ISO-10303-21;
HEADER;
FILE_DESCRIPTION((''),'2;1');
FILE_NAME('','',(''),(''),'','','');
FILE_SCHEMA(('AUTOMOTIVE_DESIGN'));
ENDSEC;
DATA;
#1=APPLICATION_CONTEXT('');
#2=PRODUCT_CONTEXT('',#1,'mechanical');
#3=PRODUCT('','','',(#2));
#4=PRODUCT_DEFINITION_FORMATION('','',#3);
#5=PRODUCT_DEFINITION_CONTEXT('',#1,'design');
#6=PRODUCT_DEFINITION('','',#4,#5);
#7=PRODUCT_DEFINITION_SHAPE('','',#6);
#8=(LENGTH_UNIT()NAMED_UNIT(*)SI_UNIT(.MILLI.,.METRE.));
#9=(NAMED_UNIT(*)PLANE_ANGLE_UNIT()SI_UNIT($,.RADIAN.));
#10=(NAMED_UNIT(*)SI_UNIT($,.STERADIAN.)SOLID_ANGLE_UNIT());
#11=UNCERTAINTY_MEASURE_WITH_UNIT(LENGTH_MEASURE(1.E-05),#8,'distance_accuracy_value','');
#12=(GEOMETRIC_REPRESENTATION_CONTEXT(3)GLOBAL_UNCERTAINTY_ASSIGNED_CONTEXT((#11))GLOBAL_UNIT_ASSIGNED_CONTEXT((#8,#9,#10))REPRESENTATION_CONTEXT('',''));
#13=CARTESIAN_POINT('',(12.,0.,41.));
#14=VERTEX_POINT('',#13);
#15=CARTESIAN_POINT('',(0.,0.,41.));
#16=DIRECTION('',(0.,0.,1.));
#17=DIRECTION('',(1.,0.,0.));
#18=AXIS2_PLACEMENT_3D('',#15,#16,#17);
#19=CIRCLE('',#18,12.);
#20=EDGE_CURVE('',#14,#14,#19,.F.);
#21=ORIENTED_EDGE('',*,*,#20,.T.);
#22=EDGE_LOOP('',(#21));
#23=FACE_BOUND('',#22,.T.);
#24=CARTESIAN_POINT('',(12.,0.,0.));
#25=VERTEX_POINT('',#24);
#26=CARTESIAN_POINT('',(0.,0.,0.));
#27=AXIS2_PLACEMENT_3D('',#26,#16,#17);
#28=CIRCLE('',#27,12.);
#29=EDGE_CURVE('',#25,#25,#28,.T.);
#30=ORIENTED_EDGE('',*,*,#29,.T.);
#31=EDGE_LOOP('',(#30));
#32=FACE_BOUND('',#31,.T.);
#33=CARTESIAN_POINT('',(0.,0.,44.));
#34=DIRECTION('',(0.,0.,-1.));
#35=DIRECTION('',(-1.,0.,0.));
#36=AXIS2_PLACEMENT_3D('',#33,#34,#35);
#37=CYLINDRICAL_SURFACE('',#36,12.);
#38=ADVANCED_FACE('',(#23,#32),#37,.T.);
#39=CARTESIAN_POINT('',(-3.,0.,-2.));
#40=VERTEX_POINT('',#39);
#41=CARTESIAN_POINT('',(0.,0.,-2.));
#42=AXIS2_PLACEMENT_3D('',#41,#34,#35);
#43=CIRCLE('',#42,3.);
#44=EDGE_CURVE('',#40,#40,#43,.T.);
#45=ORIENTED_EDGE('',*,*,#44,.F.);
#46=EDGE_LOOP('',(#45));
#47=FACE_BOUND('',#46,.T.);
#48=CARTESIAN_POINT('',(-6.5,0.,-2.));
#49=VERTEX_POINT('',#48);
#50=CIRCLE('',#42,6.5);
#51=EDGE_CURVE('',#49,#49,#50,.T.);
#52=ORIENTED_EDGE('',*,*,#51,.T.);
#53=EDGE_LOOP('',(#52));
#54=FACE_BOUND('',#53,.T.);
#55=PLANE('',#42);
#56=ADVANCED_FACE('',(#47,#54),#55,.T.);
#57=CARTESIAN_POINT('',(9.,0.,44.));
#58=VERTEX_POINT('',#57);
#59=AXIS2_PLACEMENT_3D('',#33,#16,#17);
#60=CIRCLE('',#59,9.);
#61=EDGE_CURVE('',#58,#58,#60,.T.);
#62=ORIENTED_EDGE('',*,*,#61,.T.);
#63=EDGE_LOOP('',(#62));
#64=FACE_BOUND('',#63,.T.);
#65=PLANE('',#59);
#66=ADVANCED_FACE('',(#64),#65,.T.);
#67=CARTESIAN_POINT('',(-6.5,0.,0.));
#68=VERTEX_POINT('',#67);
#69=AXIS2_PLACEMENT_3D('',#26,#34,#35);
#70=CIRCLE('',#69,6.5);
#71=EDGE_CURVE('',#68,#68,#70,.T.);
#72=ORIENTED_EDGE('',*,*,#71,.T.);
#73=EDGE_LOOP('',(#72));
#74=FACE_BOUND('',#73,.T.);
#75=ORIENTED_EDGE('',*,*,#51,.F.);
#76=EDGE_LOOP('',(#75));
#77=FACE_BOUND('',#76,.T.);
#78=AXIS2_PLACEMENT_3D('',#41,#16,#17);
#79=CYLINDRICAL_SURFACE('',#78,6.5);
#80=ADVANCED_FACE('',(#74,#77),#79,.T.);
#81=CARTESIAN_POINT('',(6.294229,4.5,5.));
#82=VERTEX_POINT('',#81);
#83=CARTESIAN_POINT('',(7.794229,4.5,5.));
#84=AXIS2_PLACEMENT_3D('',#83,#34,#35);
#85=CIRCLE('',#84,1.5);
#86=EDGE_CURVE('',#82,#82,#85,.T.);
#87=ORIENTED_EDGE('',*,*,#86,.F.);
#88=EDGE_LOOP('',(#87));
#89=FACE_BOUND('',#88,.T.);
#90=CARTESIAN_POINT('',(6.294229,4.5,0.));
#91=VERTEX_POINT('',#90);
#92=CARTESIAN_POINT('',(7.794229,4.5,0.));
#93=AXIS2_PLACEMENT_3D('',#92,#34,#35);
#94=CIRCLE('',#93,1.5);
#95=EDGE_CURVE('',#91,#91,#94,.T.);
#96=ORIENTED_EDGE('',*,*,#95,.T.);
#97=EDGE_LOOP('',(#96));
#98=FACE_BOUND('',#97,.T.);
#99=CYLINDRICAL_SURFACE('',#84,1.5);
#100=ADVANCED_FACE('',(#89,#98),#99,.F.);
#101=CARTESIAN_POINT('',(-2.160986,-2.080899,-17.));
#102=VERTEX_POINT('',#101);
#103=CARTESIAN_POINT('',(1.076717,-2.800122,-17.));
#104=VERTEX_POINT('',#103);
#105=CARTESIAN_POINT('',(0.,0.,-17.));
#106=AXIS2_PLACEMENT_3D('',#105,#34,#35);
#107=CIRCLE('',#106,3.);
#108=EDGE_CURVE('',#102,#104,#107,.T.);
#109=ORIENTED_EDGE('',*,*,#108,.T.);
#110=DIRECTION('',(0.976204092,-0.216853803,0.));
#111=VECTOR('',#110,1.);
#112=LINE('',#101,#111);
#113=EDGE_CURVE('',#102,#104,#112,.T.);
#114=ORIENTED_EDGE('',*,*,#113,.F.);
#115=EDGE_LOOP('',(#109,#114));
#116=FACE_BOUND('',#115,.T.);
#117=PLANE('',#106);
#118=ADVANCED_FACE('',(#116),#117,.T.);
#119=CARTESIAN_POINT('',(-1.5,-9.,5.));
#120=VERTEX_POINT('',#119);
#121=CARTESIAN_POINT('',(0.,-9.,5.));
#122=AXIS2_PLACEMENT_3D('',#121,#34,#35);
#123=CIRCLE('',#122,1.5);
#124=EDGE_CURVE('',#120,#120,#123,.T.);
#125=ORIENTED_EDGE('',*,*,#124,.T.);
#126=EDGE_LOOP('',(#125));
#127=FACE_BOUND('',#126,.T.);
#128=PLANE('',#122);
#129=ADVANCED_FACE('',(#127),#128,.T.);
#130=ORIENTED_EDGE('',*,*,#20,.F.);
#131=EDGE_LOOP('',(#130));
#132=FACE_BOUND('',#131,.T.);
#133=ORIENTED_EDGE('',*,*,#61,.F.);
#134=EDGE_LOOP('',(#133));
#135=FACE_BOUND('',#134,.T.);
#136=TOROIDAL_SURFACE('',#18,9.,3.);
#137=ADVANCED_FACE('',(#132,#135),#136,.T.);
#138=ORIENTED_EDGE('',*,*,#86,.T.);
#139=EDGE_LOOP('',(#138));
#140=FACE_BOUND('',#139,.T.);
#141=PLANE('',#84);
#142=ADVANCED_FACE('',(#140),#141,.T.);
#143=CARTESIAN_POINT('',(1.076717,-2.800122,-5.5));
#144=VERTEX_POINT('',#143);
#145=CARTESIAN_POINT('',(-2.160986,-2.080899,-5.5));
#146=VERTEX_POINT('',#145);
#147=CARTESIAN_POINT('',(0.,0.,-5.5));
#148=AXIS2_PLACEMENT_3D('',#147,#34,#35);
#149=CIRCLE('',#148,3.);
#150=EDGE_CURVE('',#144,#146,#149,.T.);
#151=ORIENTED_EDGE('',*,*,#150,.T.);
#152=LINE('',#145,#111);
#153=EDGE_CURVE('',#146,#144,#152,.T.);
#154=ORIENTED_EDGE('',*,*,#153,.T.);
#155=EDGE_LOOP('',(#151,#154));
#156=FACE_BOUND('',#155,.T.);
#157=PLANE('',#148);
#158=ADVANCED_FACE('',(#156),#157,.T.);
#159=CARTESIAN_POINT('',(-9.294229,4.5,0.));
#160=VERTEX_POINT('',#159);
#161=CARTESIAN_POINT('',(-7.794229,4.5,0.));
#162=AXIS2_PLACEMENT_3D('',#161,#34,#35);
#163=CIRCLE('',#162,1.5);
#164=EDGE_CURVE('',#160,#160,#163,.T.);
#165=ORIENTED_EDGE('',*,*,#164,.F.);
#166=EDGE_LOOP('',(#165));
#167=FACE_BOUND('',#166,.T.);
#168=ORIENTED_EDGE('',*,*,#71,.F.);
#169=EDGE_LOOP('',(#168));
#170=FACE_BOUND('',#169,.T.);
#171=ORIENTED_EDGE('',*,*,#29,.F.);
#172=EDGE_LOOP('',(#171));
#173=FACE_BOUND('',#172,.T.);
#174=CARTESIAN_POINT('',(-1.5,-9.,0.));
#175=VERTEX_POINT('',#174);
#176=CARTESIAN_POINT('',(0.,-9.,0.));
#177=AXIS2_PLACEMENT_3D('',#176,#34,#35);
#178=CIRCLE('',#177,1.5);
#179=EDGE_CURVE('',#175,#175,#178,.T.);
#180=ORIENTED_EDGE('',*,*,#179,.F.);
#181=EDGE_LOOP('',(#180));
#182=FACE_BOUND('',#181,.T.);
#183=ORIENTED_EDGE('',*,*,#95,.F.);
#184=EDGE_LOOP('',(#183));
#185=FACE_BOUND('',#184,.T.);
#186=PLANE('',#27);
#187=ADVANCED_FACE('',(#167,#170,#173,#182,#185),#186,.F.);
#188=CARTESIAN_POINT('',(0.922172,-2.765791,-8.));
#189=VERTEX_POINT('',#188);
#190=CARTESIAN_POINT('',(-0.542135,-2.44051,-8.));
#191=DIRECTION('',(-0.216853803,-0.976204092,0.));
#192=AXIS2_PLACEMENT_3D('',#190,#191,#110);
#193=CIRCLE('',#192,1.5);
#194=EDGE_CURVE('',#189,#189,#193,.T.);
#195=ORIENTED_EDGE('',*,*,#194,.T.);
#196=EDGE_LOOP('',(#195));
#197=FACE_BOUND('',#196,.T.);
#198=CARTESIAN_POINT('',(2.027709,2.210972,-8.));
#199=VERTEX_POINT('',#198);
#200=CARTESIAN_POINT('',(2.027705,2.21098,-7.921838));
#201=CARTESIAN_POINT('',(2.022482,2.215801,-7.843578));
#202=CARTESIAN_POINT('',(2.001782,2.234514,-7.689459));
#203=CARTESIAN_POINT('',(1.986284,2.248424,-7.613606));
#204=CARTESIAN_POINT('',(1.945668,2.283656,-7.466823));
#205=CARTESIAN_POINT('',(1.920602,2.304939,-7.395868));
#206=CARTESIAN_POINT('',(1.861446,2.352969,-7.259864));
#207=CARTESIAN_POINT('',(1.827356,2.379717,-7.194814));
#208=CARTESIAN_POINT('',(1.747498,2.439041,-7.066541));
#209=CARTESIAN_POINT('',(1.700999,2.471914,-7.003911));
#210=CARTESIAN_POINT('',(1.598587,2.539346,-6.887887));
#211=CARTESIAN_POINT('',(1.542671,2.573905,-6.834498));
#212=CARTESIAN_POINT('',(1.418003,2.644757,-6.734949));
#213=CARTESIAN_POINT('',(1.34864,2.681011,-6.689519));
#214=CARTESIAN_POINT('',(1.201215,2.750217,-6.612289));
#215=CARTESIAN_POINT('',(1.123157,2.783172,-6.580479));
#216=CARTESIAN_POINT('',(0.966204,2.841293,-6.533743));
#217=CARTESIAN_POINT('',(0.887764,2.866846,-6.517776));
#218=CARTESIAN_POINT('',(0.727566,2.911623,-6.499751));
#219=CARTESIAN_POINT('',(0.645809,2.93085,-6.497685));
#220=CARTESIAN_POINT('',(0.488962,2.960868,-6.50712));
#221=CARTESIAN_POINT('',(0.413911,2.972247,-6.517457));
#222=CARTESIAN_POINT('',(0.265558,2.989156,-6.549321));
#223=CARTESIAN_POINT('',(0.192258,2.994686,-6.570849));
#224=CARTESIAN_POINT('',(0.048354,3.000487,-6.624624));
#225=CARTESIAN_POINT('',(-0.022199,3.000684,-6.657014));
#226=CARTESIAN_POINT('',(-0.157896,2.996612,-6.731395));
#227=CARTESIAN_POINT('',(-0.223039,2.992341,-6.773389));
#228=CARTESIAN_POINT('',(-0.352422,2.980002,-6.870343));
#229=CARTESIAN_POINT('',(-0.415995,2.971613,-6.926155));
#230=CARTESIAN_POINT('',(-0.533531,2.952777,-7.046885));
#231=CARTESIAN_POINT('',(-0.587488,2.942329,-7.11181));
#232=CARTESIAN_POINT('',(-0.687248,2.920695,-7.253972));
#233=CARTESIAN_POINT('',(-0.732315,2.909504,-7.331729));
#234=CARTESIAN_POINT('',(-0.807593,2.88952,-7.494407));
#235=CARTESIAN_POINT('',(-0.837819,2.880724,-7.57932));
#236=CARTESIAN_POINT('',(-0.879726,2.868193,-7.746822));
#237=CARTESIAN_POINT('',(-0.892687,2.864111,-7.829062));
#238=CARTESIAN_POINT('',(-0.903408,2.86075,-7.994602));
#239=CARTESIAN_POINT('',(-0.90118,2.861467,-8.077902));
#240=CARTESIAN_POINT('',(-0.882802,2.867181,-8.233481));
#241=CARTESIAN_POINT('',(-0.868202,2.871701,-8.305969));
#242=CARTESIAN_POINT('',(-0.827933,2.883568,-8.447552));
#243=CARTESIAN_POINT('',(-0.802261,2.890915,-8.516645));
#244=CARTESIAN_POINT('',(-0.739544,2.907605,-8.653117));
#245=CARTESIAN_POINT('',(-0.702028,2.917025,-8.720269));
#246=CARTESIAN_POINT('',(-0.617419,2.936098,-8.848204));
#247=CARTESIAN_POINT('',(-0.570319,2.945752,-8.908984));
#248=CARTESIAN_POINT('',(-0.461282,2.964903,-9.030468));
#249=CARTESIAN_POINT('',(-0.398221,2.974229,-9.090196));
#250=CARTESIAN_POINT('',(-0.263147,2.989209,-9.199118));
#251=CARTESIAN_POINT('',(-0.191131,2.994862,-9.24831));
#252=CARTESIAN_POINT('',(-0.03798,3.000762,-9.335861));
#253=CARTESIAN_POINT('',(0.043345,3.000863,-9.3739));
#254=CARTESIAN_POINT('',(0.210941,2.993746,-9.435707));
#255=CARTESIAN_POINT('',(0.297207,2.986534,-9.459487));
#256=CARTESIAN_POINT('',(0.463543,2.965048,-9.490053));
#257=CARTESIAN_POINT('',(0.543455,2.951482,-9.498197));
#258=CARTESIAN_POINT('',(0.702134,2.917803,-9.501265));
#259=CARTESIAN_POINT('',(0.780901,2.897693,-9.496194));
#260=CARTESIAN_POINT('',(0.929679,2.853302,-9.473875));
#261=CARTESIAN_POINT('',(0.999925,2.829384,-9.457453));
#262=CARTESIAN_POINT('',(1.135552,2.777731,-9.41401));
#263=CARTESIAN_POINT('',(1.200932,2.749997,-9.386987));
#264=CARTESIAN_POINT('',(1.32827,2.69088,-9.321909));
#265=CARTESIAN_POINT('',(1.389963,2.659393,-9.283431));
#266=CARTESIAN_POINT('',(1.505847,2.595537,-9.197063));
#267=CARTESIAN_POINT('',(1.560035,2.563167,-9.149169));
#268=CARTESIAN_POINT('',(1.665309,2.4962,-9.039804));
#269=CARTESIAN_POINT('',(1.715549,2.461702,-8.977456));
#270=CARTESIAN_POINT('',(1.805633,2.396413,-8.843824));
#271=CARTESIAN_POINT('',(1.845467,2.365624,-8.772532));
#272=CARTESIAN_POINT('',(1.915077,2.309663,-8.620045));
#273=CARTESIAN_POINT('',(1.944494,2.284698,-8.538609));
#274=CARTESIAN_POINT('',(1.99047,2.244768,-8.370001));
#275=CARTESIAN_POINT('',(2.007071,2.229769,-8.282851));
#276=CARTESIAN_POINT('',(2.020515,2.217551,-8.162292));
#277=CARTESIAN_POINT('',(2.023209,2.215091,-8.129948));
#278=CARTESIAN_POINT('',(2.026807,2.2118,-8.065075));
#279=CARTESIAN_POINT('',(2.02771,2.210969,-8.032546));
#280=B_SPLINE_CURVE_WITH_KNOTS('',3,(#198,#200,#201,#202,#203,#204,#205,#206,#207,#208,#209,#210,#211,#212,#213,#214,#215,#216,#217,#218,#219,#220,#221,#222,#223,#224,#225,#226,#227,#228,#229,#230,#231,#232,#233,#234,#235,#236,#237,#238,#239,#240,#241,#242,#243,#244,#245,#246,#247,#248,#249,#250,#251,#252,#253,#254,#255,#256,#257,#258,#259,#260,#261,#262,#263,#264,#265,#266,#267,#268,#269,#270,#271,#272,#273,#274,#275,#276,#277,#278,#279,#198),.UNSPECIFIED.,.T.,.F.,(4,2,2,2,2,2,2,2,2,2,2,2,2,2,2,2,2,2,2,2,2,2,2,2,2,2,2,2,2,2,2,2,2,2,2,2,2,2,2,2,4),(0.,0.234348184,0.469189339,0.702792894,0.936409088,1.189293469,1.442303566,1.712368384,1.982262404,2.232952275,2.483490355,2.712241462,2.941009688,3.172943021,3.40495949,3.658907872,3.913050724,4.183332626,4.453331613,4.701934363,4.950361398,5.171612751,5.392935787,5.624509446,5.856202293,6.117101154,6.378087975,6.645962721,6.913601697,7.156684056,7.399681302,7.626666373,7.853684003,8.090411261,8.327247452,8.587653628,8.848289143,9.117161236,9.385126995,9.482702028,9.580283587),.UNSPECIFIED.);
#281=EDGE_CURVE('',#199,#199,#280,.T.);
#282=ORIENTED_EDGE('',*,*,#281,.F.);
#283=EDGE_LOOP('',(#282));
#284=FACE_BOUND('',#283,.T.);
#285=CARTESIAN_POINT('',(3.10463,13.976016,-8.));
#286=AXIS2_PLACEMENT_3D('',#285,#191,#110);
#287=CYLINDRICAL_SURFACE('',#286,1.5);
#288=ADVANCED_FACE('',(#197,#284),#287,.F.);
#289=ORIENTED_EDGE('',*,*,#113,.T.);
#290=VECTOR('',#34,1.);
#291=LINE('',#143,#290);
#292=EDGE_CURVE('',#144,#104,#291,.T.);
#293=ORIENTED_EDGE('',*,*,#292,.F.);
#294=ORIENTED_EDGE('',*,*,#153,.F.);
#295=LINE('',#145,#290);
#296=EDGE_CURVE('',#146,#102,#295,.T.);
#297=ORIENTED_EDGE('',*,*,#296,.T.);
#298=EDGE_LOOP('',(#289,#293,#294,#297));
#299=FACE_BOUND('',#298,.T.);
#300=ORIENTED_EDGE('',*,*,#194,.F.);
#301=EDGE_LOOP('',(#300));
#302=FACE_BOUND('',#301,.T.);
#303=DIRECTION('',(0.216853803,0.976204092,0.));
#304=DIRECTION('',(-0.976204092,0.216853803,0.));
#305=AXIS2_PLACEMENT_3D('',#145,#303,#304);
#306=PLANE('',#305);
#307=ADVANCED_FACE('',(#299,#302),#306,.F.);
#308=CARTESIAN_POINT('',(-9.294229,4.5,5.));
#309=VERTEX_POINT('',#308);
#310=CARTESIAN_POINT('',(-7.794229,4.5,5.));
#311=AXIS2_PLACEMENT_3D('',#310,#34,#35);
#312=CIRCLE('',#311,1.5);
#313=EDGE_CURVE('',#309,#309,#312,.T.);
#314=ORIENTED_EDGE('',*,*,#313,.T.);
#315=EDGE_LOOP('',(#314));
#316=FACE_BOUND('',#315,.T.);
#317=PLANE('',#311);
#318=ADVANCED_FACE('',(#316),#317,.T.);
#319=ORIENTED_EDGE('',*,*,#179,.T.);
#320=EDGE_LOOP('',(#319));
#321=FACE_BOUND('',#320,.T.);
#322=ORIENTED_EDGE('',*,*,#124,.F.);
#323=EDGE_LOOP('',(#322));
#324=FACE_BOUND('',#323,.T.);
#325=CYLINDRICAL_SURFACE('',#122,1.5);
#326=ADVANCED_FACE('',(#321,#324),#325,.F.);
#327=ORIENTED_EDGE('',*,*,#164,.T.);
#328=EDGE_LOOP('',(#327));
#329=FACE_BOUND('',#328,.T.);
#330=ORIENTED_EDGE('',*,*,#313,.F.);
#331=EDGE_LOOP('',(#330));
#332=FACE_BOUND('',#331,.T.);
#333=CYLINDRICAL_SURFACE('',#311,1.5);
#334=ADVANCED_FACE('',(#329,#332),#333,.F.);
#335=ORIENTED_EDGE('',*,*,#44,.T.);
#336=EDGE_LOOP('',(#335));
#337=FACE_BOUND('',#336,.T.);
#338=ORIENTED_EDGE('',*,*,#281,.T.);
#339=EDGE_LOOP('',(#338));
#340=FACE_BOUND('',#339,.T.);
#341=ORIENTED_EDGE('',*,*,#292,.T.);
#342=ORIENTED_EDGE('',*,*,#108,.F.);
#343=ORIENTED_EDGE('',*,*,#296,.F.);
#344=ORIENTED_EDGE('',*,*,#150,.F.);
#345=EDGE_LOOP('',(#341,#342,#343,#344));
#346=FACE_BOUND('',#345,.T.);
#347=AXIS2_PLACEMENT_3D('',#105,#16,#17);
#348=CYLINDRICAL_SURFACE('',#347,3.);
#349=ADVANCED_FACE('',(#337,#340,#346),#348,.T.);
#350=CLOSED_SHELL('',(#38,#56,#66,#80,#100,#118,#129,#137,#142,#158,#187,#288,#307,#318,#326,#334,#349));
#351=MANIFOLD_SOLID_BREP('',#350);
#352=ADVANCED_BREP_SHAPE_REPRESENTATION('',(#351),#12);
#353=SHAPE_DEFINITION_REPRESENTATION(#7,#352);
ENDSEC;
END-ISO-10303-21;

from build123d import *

# Parameters (mm, degrees)
SKETCH_1_R          = 12
EXTRUDE_1_DEPTH     = 44
SKETCH_2_R          = 6.5
EXTRUDE_2_DEPTH     = 2
SKETCH_3_R          = 3
EXTRUDE_3_DEPTH     = 15
SKETCH_4_R          = 1.5
CUT_EXTRUDE_1_DEPTH = 5
CUT_EXTRUDE_START   = -11.5
CUT_EXTRUDE_2_DEPTH = 11.5
SKETCH_6_R          = 1.5
CUT_EXTRUDE_3_DEPTH = 48.977426709
FILLET_1_R          = 3


with BuildPart() as part:
    # 草图1 → 凸台-拉伸1 (new body)
    with BuildSketch(Plane.XY):
        Circle(SKETCH_1_R)
    extrude(amount=EXTRUDE_1_DEPTH)

    # 草图2 → 凸台-拉伸2 (add)
    with BuildSketch(Plane(origin=(0, 0, 0), x_dir=(-1, 0, 0), z_dir=(0, 0, -1))):
        Circle(SKETCH_2_R)
    extrude(amount=EXTRUDE_2_DEPTH)

    # 草图3 → 凸台-拉伸3 (add)
    with BuildSketch(Plane(origin=(0, 0, -2), x_dir=(-1, 0, 0), z_dir=(0, 0, -1))):
        Circle(SKETCH_3_R)
    extrude(amount=EXTRUDE_3_DEPTH)

    # 草图4 → 切除-拉伸1 (cut)
    with BuildSketch(Plane(origin=(0, 0, 0), x_dir=(-1, 0, 0), z_dir=(0, 0, -1))):
        with Locations((0, -9)):
            Circle(SKETCH_4_R)
        with Locations((-7.794228634, 4.5)):
            Circle(SKETCH_4_R)
        with Locations((7.794228634, 4.5)):
            Circle(SKETCH_4_R)
    extrude(amount=-CUT_EXTRUDE_1_DEPTH, mode=Mode.SUBTRACT)

    # 草图5 → 切除-拉伸2 (cut)
    with BuildSketch(Plane(origin=(0, 0, -17), x_dir=(-1, 0, 0), z_dir=(0, 0, -1)).offset(CUT_EXTRUDE_START)):
        with BuildLine():
            Line((2.160985852, -2.08089888), (-1.076716839, -2.800121578))
            ThreePointArc((-1.076716839, -2.800121578), (0.650561408, -2.928612275), (2.160985852, -2.08089888))
        make_face()
    extrude(amount=CUT_EXTRUDE_2_DEPTH, mode=Mode.SUBTRACT)

    # 草图6 → 切除-拉伸3 (cut, through all)
    with BuildSketch(Plane(origin=(-0.542134506, -2.440510229, 0), x_dir=(-0.9762040915238366, 0.2168538025770379, 0), z_dir=(-0.2168538025770379, -0.9762040915238366, 0))):
        with Locations(Location((0, 8, 0), (0, 0, 180))):
            Circle(SKETCH_6_R)
    extrude(amount=-CUT_EXTRUDE_3_DEPTH, mode=Mode.SUBTRACT)

    # 圆角1
    fillet_1_edges = [part.edges().sort_by_distance(p)[0] for p in [
        (-12, 0, 44),
    ]]
    fillet(fillet_1_edges, radius=FILLET_1_R)


solid = part.part
